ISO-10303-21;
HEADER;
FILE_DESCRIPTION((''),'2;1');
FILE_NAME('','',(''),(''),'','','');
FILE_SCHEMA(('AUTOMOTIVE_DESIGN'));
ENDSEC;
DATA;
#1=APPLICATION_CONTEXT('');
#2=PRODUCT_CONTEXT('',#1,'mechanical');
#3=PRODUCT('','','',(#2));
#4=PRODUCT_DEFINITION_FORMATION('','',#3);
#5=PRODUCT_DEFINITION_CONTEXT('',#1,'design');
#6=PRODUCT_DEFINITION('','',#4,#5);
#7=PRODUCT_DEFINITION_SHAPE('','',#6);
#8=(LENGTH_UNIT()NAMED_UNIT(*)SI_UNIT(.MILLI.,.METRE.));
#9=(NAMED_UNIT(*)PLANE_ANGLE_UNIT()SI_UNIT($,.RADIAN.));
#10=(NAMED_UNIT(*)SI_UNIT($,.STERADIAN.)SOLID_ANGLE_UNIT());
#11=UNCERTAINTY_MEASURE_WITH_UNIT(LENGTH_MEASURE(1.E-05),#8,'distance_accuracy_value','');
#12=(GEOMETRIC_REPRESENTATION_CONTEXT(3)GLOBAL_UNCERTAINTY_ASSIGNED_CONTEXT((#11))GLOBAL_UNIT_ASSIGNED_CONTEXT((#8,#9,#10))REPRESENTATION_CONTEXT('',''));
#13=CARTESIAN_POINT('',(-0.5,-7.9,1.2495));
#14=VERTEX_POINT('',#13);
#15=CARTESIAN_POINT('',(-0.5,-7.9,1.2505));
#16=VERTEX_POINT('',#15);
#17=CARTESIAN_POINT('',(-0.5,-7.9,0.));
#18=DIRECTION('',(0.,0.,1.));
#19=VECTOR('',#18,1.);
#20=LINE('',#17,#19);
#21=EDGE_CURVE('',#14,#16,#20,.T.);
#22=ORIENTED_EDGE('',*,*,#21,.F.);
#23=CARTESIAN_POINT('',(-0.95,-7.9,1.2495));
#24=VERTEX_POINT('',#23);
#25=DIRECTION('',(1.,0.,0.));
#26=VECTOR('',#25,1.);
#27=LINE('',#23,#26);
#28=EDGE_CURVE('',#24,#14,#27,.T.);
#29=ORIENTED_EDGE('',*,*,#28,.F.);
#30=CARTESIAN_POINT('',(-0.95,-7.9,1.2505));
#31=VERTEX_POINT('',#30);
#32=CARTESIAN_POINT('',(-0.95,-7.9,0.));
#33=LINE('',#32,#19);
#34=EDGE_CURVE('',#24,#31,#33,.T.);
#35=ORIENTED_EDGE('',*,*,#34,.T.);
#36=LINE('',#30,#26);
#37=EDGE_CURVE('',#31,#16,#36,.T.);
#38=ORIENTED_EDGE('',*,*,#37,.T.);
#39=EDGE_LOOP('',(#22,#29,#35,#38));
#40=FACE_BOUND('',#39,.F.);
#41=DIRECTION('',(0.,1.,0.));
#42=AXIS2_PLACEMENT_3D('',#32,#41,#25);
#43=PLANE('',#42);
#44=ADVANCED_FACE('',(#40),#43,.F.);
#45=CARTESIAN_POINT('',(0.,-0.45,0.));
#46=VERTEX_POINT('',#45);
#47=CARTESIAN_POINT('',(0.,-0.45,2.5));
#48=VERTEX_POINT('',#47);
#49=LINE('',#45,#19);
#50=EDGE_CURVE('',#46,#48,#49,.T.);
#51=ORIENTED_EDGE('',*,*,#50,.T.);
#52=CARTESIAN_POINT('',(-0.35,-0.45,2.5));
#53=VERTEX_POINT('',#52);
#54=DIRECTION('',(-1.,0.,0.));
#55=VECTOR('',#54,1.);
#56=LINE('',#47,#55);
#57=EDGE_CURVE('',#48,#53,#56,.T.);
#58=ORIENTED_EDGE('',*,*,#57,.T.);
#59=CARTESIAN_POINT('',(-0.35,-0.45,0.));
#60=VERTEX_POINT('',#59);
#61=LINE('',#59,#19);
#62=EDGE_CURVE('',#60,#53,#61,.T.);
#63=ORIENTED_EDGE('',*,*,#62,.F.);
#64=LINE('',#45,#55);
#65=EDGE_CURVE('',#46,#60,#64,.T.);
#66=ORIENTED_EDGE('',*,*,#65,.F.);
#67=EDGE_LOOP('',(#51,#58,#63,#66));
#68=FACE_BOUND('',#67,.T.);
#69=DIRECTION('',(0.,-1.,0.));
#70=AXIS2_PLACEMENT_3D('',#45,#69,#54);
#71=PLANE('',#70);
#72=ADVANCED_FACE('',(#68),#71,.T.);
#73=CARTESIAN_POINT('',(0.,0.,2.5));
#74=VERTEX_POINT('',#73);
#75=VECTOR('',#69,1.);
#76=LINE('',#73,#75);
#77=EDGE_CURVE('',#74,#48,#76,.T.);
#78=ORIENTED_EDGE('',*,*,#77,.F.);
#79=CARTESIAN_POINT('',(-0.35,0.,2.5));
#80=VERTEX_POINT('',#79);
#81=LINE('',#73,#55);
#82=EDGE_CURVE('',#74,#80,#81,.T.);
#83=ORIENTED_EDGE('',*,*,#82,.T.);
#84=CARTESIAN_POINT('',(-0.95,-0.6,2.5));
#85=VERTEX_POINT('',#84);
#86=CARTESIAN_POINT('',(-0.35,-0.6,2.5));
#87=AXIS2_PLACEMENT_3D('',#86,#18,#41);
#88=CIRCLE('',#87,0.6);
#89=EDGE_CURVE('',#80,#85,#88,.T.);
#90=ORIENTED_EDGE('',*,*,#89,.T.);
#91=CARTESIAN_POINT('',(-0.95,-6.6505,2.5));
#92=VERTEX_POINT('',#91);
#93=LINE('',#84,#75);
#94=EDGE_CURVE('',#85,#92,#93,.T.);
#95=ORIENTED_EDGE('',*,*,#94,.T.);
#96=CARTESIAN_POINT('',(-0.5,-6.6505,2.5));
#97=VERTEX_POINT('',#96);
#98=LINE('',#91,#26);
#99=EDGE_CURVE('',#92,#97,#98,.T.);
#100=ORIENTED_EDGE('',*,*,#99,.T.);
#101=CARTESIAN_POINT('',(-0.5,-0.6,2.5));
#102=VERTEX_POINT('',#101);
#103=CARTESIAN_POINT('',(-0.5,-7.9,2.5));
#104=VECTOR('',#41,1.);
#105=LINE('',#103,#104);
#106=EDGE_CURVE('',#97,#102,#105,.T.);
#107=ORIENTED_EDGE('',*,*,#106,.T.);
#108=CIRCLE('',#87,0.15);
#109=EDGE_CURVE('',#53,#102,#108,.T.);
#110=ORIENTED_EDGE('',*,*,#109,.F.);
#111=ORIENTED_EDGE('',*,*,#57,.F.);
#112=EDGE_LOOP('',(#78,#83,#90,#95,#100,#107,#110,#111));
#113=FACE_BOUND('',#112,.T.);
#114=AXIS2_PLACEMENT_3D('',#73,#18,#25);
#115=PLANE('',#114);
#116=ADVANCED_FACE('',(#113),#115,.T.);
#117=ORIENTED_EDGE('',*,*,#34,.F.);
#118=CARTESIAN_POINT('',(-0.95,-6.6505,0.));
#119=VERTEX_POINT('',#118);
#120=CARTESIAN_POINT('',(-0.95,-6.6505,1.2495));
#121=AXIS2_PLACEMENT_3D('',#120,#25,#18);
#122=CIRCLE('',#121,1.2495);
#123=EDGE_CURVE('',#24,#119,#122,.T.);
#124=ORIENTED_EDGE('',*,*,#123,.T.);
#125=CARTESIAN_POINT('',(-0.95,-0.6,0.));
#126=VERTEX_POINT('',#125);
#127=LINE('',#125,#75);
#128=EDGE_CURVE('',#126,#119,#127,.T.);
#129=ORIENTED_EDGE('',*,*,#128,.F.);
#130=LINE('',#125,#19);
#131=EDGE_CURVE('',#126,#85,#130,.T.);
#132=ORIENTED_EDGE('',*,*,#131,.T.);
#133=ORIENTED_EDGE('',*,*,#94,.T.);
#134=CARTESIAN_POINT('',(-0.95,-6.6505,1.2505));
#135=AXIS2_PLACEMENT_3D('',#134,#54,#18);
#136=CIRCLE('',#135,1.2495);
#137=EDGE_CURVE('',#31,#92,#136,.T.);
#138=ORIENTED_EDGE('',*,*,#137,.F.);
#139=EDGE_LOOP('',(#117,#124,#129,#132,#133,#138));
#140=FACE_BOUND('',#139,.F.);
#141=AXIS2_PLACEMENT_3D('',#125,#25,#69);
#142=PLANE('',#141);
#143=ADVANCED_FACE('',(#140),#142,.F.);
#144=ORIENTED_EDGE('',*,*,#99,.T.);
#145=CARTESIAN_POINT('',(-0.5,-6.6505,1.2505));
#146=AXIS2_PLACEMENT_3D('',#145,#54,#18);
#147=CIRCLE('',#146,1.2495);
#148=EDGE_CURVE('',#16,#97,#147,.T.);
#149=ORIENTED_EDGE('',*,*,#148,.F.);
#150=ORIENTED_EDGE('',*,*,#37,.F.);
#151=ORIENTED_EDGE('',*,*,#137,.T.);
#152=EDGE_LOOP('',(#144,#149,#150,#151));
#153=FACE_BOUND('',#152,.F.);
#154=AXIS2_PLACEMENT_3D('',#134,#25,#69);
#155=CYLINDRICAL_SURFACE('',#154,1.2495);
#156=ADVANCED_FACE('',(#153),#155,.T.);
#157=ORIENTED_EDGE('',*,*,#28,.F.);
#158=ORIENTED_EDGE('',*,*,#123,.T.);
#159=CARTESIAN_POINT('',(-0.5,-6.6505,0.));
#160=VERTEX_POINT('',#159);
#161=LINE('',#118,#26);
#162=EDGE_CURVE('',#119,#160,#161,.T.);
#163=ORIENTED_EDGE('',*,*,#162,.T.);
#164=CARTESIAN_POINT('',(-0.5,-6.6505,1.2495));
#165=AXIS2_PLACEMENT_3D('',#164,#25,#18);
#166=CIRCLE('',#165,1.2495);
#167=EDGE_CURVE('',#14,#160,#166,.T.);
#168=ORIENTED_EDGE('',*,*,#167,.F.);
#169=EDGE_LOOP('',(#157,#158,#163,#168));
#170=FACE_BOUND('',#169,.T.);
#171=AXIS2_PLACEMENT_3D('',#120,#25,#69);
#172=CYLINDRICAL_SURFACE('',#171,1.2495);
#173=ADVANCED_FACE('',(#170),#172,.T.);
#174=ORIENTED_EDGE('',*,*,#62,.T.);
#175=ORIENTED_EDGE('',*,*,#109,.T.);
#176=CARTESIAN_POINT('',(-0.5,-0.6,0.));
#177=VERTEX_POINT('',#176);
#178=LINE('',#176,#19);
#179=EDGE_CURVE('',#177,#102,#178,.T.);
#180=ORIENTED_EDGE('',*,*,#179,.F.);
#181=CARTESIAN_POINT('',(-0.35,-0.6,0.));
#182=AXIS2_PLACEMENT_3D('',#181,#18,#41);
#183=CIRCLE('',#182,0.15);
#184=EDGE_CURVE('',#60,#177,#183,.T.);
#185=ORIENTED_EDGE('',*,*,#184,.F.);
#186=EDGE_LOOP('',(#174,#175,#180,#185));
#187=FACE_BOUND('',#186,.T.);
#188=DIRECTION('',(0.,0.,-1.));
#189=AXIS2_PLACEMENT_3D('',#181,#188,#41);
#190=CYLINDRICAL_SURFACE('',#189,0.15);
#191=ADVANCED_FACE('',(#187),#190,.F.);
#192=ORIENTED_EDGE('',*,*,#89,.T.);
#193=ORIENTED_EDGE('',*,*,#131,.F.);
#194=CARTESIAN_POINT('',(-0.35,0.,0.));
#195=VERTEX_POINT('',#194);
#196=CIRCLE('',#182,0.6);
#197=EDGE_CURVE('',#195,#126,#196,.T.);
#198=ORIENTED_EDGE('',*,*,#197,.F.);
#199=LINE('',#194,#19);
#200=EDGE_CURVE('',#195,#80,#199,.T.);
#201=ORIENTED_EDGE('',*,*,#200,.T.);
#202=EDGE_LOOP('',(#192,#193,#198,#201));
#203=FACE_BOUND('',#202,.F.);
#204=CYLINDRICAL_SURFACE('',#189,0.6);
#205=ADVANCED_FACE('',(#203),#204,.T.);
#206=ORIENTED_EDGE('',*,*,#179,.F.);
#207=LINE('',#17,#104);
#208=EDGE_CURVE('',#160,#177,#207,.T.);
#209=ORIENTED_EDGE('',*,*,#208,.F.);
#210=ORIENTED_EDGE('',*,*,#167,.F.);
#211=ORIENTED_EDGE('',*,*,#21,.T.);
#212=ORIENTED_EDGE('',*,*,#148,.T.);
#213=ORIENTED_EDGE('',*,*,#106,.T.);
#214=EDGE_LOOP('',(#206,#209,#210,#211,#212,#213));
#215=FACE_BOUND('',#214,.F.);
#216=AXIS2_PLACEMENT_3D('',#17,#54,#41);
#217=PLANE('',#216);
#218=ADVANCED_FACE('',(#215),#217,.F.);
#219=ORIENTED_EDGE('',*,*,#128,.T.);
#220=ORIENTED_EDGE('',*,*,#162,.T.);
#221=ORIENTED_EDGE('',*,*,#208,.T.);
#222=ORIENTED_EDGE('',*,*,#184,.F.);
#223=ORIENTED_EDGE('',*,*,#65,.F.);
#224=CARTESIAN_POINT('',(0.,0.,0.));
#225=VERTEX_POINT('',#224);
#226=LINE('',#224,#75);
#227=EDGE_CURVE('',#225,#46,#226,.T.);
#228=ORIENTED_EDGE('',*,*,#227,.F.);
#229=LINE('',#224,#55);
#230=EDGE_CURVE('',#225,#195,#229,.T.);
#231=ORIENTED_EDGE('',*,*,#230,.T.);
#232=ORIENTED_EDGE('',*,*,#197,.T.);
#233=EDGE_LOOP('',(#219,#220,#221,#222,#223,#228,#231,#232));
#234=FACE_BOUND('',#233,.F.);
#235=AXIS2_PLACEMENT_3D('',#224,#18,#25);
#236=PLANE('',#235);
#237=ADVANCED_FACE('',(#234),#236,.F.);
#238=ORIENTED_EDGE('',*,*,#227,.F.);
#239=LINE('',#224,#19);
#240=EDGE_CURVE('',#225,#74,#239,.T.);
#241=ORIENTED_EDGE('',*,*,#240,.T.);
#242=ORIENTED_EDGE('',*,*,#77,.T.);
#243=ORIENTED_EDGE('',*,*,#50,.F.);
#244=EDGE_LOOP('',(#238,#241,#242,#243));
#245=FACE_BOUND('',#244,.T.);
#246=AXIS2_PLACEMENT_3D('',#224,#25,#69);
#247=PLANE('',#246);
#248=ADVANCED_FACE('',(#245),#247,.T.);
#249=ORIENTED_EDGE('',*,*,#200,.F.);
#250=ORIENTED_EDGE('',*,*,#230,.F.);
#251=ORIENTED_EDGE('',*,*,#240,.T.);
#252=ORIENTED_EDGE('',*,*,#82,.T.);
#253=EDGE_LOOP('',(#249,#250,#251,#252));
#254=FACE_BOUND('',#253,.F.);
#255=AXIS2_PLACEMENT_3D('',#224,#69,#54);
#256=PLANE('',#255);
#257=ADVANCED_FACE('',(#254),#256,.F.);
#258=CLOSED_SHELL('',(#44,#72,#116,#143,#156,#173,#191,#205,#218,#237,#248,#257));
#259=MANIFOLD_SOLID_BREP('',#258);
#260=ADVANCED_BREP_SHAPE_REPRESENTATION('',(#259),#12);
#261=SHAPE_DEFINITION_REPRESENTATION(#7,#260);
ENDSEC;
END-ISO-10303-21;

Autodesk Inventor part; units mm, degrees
ref_plane "YZ Plane" through (0, 0, 0) normal (1, 0, 0) x (0, 1, 0)
ref_plane "XZ Plane" through (0, 0, 0) normal (0, 1, 0) x (-1, 0, 0)
ref_plane "XY Plane" through (0, 0, 0) normal (0, 0, 1) x (1, 0, 0)
sketch "Sketch1" plane through (0, 0, 0) normal (0, 0, 1) x (1, 0, 0)
  line L0 (0, 0) -> (0, -0.45)
  line L1 (0, -0.45) -> (-0.35, -0.45)
  line L2 (0, 0) -> (-0.35, 0)
  arc A0 (-0.35, -0.45) -> (-0.5, -0.6) centre (-0.35, -0.6) ccw
  arc A1 (-0.35, 0) -> (-0.95, -0.6) centre (-0.35, -0.6) ccw
  line L3 (-0.95, -0.6) -> (-0.95, -7.9)
  line L4 (-0.95, -7.9) -> (-0.5, -7.9)
  line L5 (-0.5, -7.9) -> (-0.5, -0.6)
  dimension "d0" = 0.45
  dimension "d2" = 7.9
  dimension "d3" = 0.95
  dimension "d4" = 0.6
extrude "Extrusion1" add sketch "Sketch1" along normal blind 2.5
fillet "Fillet1" radius 1.25 2 edges at (-0.725, -7.9, 2.5) (-0.725, -7.9, 0)
properties material "Brass, Soft Yellow"
